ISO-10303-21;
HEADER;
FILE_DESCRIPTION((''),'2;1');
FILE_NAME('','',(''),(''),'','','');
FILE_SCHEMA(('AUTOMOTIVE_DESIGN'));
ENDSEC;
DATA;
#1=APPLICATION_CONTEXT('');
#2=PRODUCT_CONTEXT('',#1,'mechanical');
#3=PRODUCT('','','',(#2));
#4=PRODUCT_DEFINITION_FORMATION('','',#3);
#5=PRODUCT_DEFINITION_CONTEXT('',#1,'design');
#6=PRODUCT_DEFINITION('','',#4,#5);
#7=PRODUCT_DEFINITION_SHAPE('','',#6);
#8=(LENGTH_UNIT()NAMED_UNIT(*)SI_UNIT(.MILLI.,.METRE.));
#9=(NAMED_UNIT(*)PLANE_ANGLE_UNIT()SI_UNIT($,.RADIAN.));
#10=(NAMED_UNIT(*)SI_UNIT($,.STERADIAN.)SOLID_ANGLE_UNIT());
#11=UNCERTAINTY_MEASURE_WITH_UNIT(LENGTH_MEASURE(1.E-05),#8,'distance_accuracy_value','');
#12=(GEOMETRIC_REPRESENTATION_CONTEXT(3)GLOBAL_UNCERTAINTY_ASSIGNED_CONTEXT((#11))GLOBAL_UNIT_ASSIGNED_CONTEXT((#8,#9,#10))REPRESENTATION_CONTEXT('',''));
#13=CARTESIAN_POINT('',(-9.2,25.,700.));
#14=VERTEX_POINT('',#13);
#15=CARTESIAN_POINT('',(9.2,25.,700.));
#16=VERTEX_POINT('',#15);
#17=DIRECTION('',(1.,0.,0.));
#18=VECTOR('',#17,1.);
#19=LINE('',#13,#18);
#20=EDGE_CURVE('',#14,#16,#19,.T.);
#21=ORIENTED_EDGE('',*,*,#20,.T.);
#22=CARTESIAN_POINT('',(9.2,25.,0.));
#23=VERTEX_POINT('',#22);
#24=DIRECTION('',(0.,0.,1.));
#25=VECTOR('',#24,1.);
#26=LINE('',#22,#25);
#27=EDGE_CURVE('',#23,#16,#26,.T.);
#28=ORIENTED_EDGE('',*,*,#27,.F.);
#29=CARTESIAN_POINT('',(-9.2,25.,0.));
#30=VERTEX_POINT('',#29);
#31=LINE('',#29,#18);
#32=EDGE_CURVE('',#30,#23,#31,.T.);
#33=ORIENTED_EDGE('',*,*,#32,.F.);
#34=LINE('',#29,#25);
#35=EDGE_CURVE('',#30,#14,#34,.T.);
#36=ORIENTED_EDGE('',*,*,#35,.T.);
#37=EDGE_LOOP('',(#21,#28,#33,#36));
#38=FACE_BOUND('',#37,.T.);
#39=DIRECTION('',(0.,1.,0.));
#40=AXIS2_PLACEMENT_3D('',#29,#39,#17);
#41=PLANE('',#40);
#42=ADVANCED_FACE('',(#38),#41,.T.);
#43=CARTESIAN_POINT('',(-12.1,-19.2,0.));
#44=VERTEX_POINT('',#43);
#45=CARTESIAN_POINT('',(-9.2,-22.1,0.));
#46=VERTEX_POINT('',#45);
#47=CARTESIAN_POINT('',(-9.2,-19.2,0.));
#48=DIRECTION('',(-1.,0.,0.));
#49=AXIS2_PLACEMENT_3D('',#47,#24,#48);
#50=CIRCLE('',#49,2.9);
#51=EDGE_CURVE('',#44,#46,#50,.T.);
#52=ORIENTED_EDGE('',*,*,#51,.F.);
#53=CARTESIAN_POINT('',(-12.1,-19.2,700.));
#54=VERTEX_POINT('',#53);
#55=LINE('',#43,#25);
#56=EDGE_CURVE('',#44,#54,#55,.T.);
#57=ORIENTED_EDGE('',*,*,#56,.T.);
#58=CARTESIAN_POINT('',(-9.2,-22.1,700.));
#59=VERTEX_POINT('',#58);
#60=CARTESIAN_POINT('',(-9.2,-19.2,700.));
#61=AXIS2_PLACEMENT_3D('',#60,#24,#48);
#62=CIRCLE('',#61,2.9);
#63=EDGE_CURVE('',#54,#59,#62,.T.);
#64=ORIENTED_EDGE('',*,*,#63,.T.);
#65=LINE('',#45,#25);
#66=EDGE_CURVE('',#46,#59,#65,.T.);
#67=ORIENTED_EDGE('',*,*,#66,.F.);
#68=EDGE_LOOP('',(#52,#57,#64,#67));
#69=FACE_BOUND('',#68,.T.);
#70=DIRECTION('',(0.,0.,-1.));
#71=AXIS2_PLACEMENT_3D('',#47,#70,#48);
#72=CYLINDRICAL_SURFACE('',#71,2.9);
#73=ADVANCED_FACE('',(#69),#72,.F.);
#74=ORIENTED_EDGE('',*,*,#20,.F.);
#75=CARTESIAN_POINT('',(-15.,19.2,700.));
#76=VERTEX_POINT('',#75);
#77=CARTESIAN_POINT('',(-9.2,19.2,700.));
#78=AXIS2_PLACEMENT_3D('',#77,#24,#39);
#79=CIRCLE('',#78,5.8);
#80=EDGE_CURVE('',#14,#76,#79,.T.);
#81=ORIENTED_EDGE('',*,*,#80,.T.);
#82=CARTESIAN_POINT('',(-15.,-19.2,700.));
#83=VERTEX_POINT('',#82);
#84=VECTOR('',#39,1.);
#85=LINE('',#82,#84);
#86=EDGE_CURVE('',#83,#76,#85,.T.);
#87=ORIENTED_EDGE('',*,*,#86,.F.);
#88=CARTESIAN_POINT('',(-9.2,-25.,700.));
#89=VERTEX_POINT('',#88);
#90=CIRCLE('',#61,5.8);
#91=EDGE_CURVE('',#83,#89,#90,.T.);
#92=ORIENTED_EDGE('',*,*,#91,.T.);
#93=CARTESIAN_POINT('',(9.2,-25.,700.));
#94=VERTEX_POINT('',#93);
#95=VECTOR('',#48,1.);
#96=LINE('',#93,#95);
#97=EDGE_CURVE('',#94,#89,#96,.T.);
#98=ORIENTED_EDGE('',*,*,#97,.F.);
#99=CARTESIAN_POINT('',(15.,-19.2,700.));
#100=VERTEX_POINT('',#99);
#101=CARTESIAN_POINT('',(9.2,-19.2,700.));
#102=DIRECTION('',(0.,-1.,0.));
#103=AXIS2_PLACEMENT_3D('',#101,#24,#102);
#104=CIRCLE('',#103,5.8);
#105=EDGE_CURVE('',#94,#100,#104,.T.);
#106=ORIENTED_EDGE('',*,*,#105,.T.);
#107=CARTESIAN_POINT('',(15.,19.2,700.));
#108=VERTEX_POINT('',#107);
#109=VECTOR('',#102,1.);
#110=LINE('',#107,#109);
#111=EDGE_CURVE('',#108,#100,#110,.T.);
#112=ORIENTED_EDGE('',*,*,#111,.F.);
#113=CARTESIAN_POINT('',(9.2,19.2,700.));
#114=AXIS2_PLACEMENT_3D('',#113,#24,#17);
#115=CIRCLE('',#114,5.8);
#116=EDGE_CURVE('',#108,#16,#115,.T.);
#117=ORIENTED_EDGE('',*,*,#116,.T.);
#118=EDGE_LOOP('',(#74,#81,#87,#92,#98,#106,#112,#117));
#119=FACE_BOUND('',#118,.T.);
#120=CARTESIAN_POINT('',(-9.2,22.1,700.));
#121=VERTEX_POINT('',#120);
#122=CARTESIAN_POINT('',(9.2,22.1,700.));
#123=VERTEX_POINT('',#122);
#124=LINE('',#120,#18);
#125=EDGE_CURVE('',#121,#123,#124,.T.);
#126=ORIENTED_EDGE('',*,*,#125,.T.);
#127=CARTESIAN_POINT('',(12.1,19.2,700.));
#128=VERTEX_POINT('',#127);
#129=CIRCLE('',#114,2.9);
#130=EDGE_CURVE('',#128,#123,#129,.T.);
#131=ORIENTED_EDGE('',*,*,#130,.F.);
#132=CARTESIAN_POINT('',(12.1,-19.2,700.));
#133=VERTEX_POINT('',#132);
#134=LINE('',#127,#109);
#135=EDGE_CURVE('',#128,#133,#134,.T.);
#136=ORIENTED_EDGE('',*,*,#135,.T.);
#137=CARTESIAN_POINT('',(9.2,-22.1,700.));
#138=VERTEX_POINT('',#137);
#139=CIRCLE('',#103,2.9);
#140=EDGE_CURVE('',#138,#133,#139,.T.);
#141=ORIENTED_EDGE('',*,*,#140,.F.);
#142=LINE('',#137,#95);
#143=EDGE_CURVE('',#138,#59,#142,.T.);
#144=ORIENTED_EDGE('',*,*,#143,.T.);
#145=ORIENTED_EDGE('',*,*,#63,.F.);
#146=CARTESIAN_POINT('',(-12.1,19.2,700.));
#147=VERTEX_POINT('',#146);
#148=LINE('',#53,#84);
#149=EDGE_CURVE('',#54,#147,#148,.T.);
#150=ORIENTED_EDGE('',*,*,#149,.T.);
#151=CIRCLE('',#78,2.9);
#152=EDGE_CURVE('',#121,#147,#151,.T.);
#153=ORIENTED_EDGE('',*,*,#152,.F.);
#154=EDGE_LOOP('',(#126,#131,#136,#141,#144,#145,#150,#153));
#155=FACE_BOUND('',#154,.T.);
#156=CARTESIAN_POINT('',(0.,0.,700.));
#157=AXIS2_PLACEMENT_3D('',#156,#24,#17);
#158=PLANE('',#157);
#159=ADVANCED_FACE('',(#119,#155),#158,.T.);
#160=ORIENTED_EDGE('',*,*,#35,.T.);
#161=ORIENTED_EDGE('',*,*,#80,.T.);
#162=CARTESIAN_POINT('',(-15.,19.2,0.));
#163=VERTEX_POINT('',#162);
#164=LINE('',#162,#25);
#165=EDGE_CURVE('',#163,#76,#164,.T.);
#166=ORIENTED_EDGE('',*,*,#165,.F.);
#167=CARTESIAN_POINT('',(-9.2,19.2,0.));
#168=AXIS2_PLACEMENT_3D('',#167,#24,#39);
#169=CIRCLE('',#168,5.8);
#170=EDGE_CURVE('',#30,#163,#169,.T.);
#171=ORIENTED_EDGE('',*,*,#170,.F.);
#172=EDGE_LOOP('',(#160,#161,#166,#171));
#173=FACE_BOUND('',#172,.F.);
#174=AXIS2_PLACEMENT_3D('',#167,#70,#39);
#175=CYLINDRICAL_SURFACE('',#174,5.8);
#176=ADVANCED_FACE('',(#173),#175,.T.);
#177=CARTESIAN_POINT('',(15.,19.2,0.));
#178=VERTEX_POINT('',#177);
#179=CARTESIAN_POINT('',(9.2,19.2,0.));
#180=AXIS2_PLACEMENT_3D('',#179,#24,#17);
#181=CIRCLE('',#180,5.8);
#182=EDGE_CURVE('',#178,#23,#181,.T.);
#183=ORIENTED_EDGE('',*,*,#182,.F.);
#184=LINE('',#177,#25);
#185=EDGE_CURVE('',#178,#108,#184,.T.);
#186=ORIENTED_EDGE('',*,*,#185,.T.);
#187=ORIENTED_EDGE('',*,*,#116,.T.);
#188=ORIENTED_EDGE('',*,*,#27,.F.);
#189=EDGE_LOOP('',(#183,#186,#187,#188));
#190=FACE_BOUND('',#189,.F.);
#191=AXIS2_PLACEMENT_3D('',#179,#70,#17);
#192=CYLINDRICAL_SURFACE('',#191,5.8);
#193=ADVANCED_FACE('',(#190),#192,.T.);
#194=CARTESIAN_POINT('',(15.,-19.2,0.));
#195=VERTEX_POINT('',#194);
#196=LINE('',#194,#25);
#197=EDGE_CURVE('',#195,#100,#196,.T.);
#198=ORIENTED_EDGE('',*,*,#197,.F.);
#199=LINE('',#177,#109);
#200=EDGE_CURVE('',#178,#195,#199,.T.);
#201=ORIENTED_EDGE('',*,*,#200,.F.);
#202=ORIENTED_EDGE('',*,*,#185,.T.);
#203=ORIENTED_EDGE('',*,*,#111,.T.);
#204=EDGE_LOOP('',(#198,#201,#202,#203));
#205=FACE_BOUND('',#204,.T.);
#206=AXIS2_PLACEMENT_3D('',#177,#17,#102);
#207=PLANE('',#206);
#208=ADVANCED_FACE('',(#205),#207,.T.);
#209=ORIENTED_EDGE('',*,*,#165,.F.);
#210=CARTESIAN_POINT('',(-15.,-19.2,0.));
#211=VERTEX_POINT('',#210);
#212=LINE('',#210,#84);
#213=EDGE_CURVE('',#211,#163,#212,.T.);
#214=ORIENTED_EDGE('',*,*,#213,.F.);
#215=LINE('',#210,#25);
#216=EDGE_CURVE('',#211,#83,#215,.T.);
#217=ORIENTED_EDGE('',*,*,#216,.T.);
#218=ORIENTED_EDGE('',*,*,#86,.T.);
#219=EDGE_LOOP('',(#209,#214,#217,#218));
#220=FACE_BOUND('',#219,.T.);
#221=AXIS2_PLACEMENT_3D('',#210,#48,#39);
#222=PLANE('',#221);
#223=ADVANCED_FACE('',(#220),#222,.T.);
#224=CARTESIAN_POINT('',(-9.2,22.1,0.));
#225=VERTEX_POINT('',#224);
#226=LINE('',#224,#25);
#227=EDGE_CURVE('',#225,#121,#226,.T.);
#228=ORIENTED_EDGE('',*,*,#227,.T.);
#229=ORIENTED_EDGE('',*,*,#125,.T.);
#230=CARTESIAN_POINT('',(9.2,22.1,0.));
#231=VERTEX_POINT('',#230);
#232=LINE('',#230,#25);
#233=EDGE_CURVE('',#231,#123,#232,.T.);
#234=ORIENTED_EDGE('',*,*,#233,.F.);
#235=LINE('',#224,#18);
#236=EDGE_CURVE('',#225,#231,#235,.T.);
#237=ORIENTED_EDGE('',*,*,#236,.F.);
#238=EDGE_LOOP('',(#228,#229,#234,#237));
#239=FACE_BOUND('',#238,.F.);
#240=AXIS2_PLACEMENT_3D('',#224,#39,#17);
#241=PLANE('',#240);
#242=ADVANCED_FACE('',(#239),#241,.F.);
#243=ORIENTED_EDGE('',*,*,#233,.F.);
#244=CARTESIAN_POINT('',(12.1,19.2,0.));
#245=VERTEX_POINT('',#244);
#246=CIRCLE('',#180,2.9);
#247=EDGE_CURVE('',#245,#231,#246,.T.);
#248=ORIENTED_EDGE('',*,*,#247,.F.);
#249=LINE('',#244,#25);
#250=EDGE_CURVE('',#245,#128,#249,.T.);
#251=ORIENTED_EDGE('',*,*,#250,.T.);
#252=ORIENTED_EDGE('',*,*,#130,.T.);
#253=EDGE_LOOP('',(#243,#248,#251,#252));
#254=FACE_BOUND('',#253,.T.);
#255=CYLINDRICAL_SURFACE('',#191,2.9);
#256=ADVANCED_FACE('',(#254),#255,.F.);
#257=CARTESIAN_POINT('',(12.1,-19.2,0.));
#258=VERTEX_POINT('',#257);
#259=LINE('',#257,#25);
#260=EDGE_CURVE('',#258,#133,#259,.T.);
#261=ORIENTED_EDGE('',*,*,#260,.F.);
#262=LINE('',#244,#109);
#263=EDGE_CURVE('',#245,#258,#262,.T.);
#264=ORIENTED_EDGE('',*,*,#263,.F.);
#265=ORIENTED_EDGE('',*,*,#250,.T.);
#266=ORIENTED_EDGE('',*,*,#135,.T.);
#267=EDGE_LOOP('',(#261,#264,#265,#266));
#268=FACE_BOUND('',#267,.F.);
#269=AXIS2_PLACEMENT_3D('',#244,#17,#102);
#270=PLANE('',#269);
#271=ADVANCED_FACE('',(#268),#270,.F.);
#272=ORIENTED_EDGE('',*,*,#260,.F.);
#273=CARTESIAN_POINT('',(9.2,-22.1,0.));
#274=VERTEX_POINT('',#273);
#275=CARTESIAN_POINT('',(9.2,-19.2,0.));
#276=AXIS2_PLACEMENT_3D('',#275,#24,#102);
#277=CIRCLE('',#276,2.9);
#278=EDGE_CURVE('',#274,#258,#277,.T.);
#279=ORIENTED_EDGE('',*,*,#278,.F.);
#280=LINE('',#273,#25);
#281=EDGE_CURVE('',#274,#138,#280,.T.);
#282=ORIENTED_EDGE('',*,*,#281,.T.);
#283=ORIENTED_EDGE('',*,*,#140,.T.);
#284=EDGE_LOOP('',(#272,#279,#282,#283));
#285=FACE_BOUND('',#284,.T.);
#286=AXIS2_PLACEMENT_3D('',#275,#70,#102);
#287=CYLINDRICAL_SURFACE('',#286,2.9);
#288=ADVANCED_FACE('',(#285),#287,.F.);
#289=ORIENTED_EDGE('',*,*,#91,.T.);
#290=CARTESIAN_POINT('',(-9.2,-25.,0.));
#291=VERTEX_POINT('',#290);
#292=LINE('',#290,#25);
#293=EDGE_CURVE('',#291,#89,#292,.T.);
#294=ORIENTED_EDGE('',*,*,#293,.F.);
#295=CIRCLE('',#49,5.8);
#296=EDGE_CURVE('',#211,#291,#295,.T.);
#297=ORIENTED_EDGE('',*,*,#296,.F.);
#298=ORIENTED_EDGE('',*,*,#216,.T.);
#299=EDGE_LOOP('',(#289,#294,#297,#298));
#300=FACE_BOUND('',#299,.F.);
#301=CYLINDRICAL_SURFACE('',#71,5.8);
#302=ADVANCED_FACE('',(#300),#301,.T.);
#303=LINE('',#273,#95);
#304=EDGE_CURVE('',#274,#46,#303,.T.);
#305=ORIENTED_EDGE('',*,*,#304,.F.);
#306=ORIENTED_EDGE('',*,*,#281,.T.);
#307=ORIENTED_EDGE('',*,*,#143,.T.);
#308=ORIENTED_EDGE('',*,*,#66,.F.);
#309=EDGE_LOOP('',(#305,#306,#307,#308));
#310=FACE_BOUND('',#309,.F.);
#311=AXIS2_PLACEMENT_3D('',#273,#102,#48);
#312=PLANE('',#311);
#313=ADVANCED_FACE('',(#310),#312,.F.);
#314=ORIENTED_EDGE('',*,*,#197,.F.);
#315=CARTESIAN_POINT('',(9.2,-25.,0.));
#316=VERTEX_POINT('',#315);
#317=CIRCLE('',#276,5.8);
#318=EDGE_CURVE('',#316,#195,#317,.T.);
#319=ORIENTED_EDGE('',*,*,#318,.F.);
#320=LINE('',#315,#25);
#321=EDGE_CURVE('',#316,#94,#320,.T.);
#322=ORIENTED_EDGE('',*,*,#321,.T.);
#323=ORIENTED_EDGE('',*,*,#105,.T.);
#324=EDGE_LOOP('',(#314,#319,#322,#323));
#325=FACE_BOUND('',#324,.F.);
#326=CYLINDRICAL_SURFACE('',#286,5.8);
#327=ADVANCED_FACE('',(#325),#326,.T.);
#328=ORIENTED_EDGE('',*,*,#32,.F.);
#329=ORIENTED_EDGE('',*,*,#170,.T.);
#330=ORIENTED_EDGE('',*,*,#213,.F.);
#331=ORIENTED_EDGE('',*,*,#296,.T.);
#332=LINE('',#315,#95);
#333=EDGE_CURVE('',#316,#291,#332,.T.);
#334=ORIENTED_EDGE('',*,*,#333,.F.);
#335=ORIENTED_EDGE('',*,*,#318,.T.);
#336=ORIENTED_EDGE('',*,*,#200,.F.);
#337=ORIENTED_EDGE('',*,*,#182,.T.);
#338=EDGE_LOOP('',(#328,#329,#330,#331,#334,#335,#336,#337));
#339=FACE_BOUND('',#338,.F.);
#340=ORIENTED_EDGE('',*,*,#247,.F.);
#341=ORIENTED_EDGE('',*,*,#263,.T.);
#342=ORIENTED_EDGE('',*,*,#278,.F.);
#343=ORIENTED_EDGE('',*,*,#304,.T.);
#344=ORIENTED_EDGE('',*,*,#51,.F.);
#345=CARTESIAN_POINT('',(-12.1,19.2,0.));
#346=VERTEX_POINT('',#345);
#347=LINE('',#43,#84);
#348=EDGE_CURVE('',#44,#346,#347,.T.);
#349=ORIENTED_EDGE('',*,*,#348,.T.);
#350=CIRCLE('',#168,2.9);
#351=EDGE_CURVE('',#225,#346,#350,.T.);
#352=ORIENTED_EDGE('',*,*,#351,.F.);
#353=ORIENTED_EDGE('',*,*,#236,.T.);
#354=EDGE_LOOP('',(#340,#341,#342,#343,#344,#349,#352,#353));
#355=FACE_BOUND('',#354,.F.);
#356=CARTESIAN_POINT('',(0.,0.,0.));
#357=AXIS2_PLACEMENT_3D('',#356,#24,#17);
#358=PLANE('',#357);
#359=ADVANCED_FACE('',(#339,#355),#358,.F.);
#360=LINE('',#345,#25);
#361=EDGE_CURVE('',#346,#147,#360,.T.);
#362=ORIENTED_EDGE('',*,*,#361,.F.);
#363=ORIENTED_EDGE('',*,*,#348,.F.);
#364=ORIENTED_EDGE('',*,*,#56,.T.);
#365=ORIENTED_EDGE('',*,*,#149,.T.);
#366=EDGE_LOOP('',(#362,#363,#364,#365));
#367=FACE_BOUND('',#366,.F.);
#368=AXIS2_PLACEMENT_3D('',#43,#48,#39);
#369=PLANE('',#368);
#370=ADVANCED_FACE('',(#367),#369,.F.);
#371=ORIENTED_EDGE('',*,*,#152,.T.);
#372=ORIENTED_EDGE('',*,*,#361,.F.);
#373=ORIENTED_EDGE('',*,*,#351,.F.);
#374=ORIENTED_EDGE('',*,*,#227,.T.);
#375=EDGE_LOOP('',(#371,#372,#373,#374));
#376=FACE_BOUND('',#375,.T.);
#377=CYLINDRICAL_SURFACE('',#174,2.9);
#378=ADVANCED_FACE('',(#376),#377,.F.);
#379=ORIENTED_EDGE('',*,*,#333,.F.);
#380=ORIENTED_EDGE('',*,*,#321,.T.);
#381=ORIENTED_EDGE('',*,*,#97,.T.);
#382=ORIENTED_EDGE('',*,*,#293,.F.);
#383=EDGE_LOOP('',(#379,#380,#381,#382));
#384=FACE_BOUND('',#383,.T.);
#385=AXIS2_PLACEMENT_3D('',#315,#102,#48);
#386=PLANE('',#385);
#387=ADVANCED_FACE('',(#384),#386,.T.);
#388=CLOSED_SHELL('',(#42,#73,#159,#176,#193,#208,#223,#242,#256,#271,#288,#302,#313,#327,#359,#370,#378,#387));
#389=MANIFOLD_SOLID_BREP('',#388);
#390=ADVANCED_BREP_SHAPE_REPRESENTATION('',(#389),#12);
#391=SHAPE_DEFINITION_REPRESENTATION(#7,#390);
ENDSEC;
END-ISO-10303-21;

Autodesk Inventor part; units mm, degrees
ref_plane "YZ Plane" through (0, 0, 0) normal (1, 0, 0) x (0, 1, 0)
ref_plane "Start plane" through (0, 0, 0) normal (0, 0, 1) x (1, 0, 0)
ref_plane "End plane" through (0, 0, 700) normal (0, 0, 1) x (1, 0, 0)
sketch "Sketch" plane through (0, 0, 0) normal (0, 0, 1) x (1, 0, 0)
  line L0 (-9.2, 25) -> (9.2, 25)
  line L1 (15, 19.2) -> (15, -19.2)
  line L2 (9.2, -25) -> (-9.2, -25)
  line L3 (-15, -19.2) -> (-15, 19.2)
  arc A0 (-9.2, 25) -> (-15, 19.2) centre (-9.2, 19.2) ccw
  arc A1 (15, 19.2) -> (9.2, 25) centre (9.2, 19.2) ccw
  arc A2 (9.2, -25) -> (15, -19.2) centre (9.2, -19.2) ccw
  arc A3 (-15, -19.2) -> (-9.2, -25) centre (-9.2, -19.2) ccw
  line L4 (-22.6817, 0) -> (22.6817, 0) construction
  line L5 (0, -36.6817) -> (0, 36.6817) construction
  arc A4 (-9.2, 22.1) -> (-12.1, 19.2) centre (-9.2, 19.2) ccw
  line L6 (-9.2, 22.1) -> (9.2, 22.1)
  arc A5 (12.1, 19.2) -> (9.2, 22.1) centre (9.2, 19.2) ccw
  line L7 (12.1, 19.2) -> (12.1, -19.2)
  arc A6 (9.2, -22.1) -> (12.1, -19.2) centre (9.2, -19.2) ccw
  line L8 (9.2, -22.1) -> (-9.2, -22.1)
  arc A7 (-12.1, -19.2) -> (-9.2, -22.1) centre (-9.2, -19.2) ccw
  line L9 (-12.1, -19.2) -> (-12.1, 19.2)
  point P0 (-15, 25)
  point P1 (15, -25)
  point P2 (15, 25)
  dimension "b" = 30
  dimension "ParH" = 50
  dimension "msp_r" = 5.8
  dimension "d8" = 15
  dimension "d9" = 25
  dimension "d10" = 2.9
extrude "Body" add sketch "Sketch" along normal up to surface (700 mm away) from surface at 0
sketch "Sketch2" plane through (0, 0, 0) normal (0, 0, 1) x (1, 0, 0)
  line L0 (0, 0) -> (10, 0)
ref_plane "Work Plane3" through (0, 0, 0) normal (0, -1, 0) x (1, 0, 0)
sketch "Sketch3" plane through (0, 0, 0) normal (0, -1, 0) x (1, 0, 0)
  line L0 (-2, 0) -> (12, 0)
  line L1 (-2, 700) -> (12, 700)
  dimension "d14" = 700
equation "\"msp_r\" = 2 * ParT"
equation "\"d8\" = 0.5 * b"
equation "\"d9\" = 0.5 * ParH"
equation "\"d10\" = ParT"
equation "\"G_OFFSET_START\" = 0"
equation "\"G_OFFSET_END\" = 0"
equation "\"d12\" = G_OFFSET_END + B_L"
equation "\"G_L\" = d14"
equation "\"B_L\" = 700"
equation "\"ParT\" = 2.9"
properties part number "DIN 59 410 - 50x30x2.9-700" material "Steel, Mild"
